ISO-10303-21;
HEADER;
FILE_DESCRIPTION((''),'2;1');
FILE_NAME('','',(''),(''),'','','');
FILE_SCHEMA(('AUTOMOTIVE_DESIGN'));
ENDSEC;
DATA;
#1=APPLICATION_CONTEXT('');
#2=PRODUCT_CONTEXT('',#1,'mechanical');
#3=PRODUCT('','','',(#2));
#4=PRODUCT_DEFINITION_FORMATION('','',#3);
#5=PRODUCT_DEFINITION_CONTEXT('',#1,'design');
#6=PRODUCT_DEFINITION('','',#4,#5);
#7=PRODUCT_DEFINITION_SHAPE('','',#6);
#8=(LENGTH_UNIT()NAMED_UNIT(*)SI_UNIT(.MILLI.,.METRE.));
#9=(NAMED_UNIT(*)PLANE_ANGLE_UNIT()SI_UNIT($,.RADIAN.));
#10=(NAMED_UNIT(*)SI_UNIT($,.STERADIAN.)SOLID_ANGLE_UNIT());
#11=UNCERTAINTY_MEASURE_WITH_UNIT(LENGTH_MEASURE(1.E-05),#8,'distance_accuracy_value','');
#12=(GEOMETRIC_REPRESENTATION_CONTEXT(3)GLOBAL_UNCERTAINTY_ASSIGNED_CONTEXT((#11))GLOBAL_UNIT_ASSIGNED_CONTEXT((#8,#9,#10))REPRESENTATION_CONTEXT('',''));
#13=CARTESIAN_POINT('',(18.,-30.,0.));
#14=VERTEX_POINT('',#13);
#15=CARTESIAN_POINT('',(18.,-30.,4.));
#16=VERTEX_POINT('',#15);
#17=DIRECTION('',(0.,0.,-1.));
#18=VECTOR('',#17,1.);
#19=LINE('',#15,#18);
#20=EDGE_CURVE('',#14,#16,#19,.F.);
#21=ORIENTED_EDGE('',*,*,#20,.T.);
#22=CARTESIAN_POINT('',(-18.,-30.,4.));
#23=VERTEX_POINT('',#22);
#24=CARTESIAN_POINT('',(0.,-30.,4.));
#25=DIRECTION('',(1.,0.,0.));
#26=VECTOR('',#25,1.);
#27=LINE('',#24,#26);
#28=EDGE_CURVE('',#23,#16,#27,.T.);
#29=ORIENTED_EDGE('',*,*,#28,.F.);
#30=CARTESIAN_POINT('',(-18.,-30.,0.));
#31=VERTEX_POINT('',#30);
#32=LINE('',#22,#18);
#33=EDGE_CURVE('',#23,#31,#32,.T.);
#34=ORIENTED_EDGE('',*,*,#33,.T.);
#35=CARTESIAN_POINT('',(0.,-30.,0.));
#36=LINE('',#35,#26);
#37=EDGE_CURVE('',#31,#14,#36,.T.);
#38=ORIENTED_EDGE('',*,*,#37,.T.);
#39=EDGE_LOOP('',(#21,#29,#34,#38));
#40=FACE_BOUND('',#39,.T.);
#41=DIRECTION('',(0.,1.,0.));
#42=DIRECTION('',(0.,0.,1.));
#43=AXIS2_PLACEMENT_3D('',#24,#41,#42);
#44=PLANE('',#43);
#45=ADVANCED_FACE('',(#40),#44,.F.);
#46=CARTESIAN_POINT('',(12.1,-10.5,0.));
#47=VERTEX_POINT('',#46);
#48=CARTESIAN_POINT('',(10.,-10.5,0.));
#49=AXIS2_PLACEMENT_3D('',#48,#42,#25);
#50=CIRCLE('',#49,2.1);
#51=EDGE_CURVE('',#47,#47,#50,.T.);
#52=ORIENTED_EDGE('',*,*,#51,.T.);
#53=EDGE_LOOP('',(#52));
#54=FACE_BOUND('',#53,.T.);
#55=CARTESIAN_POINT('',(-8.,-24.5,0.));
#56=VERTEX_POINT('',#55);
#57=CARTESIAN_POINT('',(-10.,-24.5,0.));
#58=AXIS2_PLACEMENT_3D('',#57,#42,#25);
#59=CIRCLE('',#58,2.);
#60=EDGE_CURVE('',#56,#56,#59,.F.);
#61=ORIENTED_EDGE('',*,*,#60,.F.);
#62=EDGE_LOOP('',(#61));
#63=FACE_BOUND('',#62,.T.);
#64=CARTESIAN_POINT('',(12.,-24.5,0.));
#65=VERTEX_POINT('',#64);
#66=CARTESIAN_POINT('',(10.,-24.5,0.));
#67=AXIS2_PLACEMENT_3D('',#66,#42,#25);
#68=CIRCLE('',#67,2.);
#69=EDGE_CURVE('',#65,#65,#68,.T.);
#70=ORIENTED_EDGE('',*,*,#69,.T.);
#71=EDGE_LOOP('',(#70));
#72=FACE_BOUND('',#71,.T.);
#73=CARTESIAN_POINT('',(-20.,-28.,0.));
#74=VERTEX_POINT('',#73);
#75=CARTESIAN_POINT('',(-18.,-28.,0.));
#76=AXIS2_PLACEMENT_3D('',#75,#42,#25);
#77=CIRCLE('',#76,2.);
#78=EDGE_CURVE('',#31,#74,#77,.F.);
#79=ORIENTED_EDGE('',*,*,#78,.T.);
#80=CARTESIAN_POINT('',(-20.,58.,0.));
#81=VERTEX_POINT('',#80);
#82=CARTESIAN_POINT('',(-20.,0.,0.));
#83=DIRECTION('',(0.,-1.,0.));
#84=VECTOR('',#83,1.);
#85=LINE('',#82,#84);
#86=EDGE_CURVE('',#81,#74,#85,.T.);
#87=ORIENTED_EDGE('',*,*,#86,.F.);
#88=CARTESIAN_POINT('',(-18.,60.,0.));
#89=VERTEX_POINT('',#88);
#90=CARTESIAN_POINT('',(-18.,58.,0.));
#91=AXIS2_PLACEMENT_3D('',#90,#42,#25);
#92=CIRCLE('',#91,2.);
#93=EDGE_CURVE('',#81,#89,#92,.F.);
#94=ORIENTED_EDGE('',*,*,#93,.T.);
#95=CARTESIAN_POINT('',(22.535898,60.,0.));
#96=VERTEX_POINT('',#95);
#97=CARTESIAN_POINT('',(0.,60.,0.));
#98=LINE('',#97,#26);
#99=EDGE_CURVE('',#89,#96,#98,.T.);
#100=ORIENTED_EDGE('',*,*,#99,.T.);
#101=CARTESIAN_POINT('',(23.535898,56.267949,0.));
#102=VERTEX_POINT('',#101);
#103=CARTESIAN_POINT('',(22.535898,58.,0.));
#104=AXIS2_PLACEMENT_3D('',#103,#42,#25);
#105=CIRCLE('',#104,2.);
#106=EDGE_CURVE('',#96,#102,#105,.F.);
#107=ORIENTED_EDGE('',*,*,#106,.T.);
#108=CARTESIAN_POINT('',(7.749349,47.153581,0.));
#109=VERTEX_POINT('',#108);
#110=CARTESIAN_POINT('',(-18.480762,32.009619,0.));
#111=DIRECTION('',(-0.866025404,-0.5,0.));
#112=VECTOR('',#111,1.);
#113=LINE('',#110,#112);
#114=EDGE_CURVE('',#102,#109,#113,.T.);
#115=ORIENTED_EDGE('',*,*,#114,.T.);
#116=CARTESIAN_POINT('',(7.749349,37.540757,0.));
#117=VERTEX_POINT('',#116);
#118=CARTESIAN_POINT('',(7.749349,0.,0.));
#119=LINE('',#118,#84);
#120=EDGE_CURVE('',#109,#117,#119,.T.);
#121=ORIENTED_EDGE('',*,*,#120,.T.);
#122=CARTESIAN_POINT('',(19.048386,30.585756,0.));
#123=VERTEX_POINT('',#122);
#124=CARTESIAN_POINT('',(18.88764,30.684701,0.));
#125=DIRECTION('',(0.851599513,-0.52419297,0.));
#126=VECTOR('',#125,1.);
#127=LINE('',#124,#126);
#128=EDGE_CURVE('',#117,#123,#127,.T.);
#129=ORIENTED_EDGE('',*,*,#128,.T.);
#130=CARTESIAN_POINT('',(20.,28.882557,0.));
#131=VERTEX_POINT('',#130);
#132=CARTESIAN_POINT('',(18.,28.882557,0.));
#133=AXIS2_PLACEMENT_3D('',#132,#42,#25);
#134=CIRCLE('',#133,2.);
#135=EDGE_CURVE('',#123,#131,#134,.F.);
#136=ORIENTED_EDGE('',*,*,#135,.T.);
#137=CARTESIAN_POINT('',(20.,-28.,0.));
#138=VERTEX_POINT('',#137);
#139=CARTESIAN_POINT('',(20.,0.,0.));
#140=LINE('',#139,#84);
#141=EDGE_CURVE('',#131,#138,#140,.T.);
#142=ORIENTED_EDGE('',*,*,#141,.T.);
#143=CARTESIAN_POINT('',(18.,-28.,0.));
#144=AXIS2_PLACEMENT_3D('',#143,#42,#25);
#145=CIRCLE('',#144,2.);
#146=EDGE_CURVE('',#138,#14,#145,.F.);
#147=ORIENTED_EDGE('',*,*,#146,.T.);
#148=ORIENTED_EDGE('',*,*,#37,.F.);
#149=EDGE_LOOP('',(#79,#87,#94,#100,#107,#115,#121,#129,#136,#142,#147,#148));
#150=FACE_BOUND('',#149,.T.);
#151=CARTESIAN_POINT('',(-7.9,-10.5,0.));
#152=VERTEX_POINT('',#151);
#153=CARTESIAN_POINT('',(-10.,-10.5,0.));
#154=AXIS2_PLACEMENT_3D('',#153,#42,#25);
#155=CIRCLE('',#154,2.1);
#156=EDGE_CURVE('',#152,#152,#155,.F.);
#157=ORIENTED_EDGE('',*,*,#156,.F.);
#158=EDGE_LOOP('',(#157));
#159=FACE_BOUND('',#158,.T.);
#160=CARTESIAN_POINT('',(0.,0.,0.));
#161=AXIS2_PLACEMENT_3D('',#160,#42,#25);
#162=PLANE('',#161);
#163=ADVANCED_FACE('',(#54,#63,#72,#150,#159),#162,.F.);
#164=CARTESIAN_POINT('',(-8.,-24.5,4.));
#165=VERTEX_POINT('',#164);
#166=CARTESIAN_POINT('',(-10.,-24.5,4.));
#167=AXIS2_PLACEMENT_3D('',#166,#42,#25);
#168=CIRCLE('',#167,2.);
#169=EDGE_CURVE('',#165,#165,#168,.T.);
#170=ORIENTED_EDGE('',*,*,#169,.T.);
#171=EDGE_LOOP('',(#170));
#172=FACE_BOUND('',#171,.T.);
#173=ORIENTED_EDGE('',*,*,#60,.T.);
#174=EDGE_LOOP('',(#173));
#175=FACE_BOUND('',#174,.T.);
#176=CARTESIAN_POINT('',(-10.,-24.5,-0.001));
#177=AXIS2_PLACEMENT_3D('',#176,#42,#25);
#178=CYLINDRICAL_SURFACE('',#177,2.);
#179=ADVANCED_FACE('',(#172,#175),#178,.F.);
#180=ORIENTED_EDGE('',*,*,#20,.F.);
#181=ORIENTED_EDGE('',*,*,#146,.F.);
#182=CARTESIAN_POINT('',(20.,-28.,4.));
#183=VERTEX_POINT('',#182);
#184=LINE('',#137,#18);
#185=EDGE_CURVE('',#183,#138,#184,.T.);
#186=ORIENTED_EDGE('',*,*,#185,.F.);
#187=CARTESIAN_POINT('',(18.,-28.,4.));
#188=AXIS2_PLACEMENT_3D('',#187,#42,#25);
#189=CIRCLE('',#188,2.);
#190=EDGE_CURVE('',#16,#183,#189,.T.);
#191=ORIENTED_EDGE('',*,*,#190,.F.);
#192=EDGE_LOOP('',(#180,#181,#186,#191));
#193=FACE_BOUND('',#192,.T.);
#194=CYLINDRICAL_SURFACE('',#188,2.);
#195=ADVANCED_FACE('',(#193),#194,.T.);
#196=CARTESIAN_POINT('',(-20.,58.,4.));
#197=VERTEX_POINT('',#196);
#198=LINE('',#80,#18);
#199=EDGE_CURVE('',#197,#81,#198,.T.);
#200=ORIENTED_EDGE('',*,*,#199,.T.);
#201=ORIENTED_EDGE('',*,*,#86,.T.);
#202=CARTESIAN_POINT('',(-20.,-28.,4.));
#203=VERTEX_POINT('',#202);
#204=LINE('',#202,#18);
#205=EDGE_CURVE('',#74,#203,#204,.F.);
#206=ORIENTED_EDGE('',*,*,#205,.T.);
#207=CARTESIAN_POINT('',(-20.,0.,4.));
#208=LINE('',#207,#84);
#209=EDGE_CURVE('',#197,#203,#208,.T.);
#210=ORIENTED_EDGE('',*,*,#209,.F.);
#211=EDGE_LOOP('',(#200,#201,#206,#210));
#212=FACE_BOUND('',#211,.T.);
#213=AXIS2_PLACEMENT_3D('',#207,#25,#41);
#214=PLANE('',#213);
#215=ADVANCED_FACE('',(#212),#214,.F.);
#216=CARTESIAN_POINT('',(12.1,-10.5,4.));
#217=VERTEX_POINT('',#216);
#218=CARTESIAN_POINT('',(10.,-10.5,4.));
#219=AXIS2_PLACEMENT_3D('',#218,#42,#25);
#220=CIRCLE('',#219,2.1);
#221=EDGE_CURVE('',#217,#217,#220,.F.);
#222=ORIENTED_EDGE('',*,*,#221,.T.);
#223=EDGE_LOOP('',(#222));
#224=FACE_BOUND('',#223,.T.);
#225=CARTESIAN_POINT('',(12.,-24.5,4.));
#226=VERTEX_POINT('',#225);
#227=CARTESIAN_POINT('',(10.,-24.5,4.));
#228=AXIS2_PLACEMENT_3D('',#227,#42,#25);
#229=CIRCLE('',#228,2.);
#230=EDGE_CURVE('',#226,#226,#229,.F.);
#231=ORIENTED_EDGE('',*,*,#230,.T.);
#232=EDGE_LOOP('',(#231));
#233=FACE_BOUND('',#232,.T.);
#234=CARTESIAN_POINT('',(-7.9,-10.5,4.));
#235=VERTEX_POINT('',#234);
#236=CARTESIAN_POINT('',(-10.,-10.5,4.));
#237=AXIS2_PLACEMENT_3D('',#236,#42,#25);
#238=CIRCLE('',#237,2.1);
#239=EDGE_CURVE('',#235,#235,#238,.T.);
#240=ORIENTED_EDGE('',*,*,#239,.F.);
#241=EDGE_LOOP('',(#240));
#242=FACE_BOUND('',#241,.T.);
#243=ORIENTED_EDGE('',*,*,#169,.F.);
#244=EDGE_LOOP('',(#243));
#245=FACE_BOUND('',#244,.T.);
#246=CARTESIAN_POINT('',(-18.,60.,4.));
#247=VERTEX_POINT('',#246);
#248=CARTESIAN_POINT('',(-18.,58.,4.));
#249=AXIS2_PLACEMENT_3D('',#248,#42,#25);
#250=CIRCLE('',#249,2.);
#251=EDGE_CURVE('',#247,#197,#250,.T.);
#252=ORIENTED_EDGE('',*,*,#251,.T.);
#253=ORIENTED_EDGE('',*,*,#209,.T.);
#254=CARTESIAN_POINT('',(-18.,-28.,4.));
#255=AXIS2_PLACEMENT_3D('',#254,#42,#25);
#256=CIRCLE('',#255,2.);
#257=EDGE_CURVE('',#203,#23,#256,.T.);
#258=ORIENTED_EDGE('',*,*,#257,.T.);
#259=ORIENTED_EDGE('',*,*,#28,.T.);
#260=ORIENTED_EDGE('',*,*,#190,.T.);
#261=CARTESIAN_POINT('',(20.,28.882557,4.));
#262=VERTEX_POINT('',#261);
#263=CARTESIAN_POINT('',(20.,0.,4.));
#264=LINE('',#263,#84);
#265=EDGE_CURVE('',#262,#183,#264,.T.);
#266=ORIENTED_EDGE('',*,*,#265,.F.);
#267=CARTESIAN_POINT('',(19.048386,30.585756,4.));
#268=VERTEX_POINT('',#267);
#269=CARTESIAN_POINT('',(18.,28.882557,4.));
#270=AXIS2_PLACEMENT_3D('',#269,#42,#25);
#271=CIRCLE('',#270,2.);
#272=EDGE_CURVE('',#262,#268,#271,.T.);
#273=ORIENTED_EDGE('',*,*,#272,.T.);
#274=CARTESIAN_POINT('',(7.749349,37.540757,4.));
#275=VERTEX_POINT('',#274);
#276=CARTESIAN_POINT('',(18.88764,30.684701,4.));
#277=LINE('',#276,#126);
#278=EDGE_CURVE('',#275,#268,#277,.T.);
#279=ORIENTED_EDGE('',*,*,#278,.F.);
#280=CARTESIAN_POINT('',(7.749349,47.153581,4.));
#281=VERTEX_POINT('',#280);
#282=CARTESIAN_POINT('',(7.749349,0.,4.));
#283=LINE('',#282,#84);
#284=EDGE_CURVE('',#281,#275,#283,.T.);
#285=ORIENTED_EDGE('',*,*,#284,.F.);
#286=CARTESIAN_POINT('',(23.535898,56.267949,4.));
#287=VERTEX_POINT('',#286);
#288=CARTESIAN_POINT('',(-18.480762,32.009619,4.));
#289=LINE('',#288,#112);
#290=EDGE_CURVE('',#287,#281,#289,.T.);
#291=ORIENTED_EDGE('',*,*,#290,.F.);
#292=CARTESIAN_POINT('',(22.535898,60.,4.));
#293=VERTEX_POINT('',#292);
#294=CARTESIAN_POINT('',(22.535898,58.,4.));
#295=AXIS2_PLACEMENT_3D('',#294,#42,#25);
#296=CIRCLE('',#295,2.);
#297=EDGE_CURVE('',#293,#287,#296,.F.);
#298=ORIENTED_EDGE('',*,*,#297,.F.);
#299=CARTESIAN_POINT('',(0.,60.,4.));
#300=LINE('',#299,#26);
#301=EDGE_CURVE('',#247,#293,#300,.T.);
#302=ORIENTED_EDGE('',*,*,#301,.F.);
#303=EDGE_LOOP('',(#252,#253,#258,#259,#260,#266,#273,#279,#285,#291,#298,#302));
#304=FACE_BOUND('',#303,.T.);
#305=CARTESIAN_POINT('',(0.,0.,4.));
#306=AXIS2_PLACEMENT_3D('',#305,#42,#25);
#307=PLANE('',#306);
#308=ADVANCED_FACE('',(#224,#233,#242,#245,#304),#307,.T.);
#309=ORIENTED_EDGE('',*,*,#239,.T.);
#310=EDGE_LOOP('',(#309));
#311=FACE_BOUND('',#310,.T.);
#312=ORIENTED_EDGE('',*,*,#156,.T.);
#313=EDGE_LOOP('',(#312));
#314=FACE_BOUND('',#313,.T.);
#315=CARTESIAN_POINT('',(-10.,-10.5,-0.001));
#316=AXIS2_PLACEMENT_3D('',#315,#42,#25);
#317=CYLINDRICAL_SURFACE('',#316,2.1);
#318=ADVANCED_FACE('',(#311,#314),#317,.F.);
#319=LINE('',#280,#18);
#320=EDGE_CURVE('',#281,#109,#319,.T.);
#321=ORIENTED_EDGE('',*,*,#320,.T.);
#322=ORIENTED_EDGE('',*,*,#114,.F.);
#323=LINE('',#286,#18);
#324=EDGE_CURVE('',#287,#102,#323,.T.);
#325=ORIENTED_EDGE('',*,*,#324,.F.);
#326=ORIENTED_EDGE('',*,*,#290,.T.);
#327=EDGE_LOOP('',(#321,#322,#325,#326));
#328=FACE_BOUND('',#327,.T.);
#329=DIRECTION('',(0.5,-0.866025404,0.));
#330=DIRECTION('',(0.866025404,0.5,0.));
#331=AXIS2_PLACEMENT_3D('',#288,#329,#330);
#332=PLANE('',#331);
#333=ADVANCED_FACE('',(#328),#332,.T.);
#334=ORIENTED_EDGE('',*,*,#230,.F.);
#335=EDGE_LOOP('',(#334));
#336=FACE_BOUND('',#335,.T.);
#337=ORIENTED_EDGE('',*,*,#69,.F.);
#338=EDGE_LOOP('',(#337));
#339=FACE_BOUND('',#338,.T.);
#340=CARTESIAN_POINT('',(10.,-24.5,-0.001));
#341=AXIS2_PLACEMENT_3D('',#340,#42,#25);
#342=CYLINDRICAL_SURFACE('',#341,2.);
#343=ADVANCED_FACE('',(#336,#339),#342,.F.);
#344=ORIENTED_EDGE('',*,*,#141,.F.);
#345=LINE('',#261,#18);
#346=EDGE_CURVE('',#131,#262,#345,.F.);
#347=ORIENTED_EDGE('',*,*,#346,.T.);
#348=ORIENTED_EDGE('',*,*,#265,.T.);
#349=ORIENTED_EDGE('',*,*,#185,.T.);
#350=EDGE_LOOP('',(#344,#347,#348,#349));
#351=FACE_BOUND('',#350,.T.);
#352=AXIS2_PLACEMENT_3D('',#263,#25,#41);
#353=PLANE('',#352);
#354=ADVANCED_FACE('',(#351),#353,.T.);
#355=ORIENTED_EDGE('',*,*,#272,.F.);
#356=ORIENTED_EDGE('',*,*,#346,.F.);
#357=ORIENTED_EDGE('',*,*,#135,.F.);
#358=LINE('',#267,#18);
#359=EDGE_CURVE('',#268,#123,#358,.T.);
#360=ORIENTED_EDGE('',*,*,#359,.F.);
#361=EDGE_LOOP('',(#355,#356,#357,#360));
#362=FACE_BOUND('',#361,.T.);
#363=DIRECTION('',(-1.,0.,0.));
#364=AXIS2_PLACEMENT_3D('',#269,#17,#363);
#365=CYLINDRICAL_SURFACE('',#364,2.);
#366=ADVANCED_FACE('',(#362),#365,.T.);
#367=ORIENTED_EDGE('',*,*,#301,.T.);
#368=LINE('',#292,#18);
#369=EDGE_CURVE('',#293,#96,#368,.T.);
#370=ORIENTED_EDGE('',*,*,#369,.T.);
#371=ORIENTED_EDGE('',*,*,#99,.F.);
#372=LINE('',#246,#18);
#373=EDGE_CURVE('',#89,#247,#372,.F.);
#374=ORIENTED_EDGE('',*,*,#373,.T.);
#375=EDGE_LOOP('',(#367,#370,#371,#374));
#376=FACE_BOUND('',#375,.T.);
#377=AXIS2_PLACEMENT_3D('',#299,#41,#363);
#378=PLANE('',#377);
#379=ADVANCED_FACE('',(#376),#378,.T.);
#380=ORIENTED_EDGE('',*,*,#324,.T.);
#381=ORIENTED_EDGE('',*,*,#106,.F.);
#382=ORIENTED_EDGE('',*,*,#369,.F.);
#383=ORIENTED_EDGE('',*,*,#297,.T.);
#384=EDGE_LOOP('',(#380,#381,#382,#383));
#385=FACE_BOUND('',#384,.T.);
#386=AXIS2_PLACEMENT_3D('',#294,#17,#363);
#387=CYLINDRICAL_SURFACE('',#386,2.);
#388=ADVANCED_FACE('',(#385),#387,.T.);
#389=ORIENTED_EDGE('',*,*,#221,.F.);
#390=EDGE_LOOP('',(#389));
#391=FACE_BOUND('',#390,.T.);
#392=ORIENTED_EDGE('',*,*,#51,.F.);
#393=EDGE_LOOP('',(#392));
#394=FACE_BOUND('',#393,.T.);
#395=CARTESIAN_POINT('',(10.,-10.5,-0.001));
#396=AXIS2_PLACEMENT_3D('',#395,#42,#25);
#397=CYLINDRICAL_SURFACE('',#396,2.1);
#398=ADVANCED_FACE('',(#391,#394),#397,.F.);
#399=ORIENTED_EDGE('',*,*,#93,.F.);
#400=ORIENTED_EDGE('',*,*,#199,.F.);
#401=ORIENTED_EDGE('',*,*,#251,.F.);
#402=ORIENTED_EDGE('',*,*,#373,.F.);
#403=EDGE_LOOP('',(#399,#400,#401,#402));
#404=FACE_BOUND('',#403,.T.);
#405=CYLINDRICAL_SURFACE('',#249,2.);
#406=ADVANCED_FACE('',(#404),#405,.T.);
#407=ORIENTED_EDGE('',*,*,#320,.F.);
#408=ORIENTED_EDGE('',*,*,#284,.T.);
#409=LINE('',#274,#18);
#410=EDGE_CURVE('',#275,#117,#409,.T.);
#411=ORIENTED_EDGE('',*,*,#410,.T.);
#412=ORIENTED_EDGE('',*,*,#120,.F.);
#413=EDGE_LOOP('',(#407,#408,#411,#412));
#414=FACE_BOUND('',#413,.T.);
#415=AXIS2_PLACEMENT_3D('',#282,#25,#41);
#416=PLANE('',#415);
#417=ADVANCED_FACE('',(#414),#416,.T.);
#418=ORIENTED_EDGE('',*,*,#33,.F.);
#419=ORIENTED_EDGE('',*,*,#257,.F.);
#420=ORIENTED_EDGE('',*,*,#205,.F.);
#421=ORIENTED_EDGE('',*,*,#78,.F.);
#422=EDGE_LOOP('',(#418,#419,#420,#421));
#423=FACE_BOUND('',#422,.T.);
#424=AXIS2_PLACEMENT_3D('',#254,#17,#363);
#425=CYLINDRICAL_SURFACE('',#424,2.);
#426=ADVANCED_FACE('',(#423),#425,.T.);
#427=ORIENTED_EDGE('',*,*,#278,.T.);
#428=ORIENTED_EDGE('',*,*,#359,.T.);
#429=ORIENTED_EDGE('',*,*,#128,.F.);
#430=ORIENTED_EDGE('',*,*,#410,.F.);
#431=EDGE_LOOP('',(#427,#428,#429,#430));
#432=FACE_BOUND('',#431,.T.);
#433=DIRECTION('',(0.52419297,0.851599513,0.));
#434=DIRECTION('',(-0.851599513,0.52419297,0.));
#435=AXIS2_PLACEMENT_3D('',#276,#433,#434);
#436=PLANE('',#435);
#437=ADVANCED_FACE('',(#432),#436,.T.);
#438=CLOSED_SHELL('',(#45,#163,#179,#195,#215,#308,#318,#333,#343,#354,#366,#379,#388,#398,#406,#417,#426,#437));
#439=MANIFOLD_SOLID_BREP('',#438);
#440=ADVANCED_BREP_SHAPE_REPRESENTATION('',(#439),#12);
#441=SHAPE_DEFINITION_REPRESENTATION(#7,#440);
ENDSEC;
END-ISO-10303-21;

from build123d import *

# Parameters (mm, degrees)
EXTRUDE_1_DEPTH     = 4
CUT_EXTRUDE_1_REACH = 66.946
SKETCH_2_R          = 2
SKETCH_2_R_2        = 2.1
FILLET_1_R          = 2


with BuildPart() as part:
    # 草图1 → 凸台-拉伸1 (new body)
    with BuildSketch(Plane.XY):
        with BuildLine():
            Line((22.535898385, 60), (-20, 60))
            Line((-20, 60), (-20, 30))
            Line((-20, 30), (-20, -30))
            Line((-20, -30), (20, -30))
            Line((20, -30), (20, 30))
            Line((20, 30), (7.749348907, 37.54075723))
            Line((7.749348907, 37.54075723), (7.749348907, 47.153580602))
            Line((7.749348907, 47.153580602), (23.535898385, 56.267949192))
            ThreePointArc((23.535898385, 56.267949192), (24.467750037, 58.51763809), (22.535898385, 60))
        make_face()
    extrude(amount=EXTRUDE_1_DEPTH)

    # 草图2 → 切除-拉伸1 (cut, up to next)
    with BuildSketch(Plane.XY.offset(4), mode=Mode.PRIVATE) as cut_extrude_1_sk1:
        with Locations((-10, -24.5)):
            Circle(SKETCH_2_R)
    cut_extrude_1_tool1 = extrude(cut_extrude_1_sk1.sketch, amount=-CUT_EXTRUDE_1_REACH, mode=Mode.PRIVATE) & part.part
    # 草图2 → 切除-拉伸1 (cut, up to next)
    with BuildSketch(Plane.XY.offset(4), mode=Mode.PRIVATE) as cut_extrude_1_sk2:
        with Locations((-10, -10.5)):
            Circle(SKETCH_2_R_2)
    cut_extrude_1_tool2 = extrude(cut_extrude_1_sk2.sketch, amount=-CUT_EXTRUDE_1_REACH, mode=Mode.PRIVATE) & part.part
    # 草图2 → 切除-拉伸1 (cut, up to next)
    with BuildSketch(Plane.XY.offset(4), mode=Mode.PRIVATE) as cut_extrude_1_sk3:
        with Locations((10, -10.5)):
            Circle(SKETCH_2_R_2)
    cut_extrude_1_tool3 = extrude(cut_extrude_1_sk3.sketch, amount=-CUT_EXTRUDE_1_REACH, mode=Mode.PRIVATE) & part.part
    # 草图2 → 切除-拉伸1 (cut, up to next)
    with BuildSketch(Plane.XY.offset(4), mode=Mode.PRIVATE) as cut_extrude_1_sk4:
        with Locations((10, -24.5)):
            Circle(SKETCH_2_R)
    cut_extrude_1_tool4 = extrude(cut_extrude_1_sk4.sketch, amount=-CUT_EXTRUDE_1_REACH, mode=Mode.PRIVATE) & part.part
    add(cut_extrude_1_tool1.solids().sort_by_distance((-10, -24.5, 4))[0], mode=Mode.SUBTRACT)
    add(cut_extrude_1_tool2.solids().sort_by_distance((-10, -10.5, 4))[0], mode=Mode.SUBTRACT)
    add(cut_extrude_1_tool3.solids().sort_by_distance((10, -10.5, 4))[0], mode=Mode.SUBTRACT)
    add(cut_extrude_1_tool4.solids().sort_by_distance((10, -24.5, 4))[0], mode=Mode.SUBTRACT)

    # 圆角1
    fillet_1_edges = [part.edges().sort_by_distance(p)[0] for p in [
        (20, 30, 2),
        (20, -30, 2),
        (-20, -30, 2),
        (-20, 60, 2),
    ]]
    fillet(fillet_1_edges, radius=FILLET_1_R)


solid = part.part
